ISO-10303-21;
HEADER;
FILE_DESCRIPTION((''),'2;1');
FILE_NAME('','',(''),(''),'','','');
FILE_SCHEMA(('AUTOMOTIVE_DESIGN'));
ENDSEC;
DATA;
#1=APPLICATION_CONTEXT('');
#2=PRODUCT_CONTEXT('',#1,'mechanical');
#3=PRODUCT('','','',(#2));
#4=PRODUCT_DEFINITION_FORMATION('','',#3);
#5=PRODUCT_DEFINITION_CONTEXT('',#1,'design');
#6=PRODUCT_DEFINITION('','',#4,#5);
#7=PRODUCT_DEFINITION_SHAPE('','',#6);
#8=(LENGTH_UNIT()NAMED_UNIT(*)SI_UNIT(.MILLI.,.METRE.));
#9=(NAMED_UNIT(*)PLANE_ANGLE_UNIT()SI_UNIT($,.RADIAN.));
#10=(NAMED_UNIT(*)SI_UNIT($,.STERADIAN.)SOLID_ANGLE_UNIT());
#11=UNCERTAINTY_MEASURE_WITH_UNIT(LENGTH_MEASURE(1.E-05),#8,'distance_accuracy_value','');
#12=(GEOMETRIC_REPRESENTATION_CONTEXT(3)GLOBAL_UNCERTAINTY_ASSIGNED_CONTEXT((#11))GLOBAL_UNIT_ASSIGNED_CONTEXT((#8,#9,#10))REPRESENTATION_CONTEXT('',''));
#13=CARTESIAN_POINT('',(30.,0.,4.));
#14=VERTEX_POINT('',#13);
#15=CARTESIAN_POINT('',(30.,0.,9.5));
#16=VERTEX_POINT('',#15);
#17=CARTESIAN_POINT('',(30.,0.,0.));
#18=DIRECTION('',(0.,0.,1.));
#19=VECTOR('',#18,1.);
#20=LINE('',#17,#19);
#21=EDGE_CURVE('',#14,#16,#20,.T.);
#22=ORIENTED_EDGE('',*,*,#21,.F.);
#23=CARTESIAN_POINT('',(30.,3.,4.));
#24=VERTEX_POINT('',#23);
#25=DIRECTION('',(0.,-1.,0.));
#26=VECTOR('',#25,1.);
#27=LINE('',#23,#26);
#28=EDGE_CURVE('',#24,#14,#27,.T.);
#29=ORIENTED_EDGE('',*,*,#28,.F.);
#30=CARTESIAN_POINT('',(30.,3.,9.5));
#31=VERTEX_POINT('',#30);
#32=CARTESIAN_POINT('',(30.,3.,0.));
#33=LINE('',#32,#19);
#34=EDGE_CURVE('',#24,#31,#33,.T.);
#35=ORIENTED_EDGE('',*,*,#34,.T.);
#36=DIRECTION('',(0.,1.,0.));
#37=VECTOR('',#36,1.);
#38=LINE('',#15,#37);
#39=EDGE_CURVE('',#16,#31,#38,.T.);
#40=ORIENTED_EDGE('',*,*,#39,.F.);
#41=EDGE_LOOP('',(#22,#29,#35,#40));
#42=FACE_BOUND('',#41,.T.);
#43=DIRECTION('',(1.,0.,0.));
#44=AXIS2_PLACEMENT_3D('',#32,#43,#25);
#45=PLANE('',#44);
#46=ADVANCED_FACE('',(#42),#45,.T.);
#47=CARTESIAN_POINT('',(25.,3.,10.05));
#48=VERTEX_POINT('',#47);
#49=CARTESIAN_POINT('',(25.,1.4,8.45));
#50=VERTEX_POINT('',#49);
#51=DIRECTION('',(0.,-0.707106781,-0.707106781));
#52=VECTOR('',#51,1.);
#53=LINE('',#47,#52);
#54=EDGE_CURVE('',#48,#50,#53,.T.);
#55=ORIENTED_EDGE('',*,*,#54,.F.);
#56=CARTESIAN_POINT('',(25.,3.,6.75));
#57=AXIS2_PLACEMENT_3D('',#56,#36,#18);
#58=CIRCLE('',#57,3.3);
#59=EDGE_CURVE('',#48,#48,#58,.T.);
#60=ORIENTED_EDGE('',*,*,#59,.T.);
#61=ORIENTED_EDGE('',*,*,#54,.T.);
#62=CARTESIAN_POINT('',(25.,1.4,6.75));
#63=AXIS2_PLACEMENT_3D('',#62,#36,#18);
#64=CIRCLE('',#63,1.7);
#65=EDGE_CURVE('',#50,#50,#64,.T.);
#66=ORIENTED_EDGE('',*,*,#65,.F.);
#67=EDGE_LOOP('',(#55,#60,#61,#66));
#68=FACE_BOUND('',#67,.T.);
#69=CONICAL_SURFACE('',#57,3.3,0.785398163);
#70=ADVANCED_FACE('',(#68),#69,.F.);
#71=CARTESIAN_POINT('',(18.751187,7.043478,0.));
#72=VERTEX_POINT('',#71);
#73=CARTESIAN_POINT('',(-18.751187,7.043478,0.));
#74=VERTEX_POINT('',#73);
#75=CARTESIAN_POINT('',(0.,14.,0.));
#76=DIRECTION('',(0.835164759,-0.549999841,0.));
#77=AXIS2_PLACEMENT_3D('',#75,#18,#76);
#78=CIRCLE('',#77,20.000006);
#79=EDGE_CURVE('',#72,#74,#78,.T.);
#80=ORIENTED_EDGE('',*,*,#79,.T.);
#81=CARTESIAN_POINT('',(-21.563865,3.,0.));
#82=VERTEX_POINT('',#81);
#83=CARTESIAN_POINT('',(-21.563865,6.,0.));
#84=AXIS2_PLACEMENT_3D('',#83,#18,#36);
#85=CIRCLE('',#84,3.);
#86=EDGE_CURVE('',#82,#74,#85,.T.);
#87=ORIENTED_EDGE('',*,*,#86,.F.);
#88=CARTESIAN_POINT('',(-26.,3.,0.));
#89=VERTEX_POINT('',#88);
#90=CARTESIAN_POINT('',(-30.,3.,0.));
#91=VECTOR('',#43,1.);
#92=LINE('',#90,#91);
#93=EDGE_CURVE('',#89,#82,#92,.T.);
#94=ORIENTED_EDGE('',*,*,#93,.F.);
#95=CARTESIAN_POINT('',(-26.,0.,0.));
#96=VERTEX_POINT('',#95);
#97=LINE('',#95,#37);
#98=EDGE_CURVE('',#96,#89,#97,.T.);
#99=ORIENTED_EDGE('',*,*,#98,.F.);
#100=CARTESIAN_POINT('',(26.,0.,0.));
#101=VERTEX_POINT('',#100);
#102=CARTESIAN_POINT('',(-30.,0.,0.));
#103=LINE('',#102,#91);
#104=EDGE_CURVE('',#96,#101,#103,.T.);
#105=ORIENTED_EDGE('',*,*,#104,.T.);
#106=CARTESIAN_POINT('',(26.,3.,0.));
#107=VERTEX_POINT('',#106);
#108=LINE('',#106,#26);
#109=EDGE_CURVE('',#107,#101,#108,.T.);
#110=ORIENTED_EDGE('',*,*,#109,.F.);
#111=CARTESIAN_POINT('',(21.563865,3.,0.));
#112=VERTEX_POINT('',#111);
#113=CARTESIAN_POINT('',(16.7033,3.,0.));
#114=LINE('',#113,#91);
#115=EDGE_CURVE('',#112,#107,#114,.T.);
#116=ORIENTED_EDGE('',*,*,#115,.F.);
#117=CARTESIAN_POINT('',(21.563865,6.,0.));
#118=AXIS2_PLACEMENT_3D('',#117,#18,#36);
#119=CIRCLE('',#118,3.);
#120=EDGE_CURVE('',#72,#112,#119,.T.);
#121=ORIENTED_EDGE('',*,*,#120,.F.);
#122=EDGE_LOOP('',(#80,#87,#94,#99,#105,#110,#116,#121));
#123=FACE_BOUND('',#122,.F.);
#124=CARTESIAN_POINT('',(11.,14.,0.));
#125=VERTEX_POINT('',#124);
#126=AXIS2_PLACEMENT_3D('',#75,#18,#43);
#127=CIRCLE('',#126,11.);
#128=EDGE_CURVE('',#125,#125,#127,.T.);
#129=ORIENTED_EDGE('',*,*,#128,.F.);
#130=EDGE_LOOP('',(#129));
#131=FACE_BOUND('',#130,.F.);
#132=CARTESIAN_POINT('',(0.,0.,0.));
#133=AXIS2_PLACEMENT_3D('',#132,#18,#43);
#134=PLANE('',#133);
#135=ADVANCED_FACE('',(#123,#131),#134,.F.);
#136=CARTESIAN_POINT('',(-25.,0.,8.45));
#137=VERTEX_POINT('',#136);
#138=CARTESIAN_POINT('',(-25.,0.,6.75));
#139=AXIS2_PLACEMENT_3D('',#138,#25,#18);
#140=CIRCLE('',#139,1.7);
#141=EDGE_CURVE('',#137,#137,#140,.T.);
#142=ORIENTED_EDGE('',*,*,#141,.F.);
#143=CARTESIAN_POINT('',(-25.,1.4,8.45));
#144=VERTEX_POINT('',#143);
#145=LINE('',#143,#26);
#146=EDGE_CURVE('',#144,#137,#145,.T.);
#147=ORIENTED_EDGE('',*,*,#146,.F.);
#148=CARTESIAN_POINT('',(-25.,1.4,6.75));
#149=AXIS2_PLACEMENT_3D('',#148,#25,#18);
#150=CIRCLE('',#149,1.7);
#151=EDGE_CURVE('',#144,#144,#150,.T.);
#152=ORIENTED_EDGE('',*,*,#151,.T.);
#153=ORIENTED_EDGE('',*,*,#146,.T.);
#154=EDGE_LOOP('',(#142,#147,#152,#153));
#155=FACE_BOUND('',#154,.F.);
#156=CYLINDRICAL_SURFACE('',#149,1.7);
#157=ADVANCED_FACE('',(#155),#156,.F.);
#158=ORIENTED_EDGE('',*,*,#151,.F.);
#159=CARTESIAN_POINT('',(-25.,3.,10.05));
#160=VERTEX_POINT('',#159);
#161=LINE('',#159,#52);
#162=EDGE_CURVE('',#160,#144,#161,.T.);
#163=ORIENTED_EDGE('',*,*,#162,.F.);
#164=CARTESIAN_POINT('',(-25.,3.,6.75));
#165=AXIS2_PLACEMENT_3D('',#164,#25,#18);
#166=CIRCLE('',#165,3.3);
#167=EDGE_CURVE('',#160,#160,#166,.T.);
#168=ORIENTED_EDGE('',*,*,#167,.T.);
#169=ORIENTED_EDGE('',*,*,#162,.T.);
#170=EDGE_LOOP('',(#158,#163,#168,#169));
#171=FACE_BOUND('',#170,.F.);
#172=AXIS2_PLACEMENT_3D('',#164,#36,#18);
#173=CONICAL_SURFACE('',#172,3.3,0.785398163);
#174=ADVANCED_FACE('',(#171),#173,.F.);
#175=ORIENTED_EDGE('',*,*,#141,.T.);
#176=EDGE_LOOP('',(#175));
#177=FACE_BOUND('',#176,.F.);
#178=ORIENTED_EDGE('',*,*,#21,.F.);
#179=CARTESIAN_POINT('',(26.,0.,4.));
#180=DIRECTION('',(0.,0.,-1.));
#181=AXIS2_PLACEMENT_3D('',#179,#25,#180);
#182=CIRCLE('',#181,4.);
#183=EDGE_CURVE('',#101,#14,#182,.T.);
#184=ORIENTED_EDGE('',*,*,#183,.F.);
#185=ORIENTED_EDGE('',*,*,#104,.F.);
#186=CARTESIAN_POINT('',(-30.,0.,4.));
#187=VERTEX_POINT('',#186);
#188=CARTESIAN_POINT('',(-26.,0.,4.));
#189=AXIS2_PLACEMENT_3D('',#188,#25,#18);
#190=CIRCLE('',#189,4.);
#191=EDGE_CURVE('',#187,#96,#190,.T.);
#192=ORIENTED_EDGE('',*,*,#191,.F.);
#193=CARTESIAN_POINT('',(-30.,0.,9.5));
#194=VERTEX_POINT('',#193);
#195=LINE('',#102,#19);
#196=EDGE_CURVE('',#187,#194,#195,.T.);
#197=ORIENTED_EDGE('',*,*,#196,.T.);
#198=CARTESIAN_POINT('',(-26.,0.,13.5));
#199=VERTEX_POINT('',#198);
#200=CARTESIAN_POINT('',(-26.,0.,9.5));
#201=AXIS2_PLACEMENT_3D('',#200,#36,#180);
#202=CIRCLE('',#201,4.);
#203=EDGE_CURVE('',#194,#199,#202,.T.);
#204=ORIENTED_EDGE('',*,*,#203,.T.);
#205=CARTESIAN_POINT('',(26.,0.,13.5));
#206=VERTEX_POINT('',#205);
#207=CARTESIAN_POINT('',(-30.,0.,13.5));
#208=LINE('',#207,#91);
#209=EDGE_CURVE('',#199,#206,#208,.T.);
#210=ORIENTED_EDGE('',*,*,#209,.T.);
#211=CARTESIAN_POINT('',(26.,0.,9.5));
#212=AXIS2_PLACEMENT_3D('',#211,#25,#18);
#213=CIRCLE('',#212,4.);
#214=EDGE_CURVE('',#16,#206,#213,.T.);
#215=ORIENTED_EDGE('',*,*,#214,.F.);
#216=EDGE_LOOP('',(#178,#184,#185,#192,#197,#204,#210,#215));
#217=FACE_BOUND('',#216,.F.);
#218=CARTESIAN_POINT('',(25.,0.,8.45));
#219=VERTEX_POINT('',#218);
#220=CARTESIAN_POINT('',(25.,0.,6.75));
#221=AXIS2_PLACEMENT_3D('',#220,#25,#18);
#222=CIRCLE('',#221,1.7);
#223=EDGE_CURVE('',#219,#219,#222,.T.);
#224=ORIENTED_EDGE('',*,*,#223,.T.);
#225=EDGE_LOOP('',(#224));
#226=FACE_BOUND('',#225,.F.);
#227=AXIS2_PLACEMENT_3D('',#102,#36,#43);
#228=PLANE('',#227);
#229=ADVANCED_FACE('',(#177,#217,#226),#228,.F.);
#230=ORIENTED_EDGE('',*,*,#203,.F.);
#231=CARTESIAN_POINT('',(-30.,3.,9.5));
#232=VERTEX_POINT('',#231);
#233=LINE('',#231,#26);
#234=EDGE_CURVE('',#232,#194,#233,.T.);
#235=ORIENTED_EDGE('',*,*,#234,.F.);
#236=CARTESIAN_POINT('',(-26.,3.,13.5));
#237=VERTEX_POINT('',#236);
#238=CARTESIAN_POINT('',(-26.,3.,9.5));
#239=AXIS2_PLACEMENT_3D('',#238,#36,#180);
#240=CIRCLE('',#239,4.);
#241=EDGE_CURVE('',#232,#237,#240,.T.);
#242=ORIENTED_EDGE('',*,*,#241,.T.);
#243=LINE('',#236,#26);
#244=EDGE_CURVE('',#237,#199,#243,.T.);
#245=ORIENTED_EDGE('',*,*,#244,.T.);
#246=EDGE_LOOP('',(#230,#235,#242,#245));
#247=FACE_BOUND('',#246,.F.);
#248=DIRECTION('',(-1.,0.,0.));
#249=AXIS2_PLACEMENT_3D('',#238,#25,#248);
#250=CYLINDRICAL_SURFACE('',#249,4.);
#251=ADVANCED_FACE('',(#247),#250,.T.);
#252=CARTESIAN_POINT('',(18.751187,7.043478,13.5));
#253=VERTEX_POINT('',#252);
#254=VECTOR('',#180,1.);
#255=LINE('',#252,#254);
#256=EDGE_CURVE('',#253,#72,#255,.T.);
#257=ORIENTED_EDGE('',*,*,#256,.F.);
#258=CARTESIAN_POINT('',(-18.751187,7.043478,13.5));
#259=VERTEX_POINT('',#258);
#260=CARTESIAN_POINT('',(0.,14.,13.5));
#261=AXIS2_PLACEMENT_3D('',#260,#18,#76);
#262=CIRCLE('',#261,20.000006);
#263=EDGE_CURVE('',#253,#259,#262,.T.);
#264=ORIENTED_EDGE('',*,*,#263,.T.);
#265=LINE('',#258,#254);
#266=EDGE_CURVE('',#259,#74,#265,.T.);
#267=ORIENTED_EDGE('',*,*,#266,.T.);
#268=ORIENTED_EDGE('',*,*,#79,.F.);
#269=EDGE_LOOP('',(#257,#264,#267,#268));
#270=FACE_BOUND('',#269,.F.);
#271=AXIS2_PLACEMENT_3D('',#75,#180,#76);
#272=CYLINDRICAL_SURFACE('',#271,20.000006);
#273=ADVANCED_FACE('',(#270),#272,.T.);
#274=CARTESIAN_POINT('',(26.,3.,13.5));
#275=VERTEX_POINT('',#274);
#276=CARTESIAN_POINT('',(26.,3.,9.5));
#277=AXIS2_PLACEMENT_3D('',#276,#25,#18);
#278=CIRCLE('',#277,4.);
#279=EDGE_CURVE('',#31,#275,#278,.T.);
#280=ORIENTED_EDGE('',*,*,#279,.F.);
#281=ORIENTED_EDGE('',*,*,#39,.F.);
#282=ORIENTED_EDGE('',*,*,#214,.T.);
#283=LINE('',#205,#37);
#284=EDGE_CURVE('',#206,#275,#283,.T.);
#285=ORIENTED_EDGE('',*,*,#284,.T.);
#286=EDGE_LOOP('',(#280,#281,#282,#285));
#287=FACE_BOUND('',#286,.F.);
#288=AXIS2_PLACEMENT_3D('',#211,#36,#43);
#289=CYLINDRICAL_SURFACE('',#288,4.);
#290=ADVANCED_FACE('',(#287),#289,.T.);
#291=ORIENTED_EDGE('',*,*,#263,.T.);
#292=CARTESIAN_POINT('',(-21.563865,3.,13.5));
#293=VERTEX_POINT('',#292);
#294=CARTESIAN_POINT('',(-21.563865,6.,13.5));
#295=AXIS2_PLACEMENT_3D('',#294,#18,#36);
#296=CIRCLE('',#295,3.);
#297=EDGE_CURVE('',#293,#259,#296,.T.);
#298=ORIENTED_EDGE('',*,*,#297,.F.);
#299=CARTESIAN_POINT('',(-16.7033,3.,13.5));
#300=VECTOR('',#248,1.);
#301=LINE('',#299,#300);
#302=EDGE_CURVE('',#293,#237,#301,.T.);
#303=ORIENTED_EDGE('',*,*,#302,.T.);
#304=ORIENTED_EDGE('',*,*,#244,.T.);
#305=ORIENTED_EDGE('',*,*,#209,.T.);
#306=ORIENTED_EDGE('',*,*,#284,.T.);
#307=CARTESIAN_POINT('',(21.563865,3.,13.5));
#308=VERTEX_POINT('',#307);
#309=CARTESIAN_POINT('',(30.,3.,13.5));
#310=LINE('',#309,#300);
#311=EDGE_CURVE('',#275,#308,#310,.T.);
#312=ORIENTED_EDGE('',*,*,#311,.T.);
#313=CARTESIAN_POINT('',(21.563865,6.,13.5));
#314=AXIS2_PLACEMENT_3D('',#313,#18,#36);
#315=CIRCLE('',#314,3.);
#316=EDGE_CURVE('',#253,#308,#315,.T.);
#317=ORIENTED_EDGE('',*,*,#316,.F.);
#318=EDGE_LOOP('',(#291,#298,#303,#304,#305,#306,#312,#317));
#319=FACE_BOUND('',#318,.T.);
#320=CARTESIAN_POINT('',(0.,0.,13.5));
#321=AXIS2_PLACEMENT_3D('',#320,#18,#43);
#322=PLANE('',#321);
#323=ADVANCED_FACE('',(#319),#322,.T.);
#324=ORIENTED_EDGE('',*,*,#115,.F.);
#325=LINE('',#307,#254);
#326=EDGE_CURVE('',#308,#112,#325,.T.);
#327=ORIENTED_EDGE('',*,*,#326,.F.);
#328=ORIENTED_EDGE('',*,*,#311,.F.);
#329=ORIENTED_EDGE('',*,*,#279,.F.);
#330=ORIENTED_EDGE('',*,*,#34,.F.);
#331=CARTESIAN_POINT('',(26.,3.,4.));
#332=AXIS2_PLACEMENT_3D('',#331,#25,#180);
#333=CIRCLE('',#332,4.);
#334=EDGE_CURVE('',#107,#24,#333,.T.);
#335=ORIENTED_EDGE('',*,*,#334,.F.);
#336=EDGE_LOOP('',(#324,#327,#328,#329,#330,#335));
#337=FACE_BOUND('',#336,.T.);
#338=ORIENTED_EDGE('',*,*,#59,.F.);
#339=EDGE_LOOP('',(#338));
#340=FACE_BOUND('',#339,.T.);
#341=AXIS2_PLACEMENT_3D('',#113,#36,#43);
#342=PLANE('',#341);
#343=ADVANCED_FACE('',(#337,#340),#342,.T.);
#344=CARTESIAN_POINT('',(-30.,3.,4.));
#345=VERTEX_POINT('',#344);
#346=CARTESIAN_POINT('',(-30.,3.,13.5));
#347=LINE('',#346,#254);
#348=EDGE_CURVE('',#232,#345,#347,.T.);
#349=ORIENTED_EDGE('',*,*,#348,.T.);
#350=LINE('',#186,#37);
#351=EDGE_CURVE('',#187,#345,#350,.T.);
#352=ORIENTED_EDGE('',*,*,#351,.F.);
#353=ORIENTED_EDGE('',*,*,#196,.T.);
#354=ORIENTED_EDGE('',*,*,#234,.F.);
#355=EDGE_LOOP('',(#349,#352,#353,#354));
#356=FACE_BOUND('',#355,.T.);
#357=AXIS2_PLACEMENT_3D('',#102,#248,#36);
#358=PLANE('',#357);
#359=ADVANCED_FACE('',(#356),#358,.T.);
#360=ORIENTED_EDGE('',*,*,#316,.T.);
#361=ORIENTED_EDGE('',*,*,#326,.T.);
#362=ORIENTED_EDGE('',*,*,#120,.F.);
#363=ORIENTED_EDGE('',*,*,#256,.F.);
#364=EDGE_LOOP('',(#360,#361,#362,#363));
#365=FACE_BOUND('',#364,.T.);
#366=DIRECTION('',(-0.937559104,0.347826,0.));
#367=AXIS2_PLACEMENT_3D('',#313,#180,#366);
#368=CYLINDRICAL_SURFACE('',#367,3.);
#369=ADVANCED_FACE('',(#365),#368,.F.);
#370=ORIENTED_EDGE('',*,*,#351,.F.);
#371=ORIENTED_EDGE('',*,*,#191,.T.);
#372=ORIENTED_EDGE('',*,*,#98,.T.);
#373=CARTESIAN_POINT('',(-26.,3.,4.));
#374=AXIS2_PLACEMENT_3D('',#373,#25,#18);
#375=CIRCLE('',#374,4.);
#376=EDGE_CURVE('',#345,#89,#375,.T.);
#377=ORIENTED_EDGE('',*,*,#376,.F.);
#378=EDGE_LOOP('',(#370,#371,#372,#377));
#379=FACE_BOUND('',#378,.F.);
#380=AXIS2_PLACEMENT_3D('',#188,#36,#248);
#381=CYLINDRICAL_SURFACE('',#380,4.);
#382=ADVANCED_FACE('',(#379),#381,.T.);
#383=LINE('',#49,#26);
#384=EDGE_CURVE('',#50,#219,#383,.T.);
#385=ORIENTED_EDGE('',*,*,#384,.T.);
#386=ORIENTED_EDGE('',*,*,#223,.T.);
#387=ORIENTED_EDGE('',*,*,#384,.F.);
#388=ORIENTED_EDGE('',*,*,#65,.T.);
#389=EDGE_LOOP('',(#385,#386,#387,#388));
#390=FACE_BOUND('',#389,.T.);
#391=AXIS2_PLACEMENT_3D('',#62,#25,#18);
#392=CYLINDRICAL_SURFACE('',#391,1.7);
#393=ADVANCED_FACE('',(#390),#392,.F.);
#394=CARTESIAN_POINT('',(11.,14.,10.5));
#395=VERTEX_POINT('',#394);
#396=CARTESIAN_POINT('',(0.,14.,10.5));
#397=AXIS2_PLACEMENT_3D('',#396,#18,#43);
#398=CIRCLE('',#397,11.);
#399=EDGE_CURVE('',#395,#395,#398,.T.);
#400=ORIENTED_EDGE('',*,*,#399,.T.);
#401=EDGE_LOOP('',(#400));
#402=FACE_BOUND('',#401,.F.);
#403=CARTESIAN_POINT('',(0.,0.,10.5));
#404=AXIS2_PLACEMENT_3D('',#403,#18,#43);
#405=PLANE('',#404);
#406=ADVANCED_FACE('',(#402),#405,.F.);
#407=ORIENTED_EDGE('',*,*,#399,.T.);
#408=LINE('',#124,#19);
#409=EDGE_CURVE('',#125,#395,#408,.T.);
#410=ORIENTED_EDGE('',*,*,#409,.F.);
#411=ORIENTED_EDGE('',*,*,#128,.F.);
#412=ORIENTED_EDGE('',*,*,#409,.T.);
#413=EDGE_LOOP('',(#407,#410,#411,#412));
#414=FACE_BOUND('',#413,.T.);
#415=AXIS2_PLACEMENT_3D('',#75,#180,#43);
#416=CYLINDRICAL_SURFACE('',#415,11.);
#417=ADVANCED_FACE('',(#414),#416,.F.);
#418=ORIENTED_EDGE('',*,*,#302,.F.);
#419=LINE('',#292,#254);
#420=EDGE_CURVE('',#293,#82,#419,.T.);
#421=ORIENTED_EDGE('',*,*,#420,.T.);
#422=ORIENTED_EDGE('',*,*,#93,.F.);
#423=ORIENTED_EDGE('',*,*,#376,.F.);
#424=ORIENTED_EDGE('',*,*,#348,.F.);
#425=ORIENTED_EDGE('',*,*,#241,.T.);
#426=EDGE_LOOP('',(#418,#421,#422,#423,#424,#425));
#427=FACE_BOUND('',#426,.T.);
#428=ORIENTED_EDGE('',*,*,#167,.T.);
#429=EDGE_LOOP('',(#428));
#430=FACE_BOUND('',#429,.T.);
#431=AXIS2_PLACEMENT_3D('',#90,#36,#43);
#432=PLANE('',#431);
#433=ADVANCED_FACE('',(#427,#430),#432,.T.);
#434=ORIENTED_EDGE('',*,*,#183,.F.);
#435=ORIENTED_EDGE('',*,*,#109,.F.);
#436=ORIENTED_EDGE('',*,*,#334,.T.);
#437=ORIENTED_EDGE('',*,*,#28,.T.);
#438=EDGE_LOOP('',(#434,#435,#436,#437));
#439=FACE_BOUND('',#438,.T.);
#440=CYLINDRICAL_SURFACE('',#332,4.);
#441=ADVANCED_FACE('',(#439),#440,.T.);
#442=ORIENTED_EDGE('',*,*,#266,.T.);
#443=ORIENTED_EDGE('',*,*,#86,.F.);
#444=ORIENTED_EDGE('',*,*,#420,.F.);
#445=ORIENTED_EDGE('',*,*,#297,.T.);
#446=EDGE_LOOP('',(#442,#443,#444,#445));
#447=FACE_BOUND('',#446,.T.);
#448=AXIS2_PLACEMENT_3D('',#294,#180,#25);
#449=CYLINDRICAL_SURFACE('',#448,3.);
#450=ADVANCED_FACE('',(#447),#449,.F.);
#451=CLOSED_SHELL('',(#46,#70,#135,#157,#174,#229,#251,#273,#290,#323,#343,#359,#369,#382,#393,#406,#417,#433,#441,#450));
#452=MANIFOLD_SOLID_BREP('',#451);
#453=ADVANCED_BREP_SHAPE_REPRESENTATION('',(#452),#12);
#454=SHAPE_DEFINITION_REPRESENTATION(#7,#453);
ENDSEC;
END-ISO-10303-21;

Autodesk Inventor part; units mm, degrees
ref_plane "YZ Plane" through (0, 0, 0) normal (1, 0, 0) x (0, 1, 0)
ref_plane "XZ Plane" through (0, 0, 0) normal (0, 1, 0) x (-1, 0, 0)
ref_plane "XY Plane" through (0, 0, 0) normal (0, 0, 1) x (1, 0, 0)
sketch "Эскиз1" plane through (0, 0, 0) normal (0, 0, 1) x (1, 0, 0)
  line L0 (-30, 0) -> (30, 0)
  line L1 (-30, 0) -> (-30, 3)
  line L2 (-30, 3) -> (-16.7033, 3)
  line L3 (16.7033, 3) -> (30, 3)
  line L4 (30, 3) -> (30, 0)
  line L5 (0, 0) -> (0, -12) construction
  circle A0 centre (0, 14) radius 11 construction
  circle A1 centre (0, 14) radius 11
  arc A2 (16.7033, 3) -> (-16.7033, 3) centre (0, 14) ccw
  point P0 (0, 3)
  point P1 (0, 46)
  point P2 (0, 25)
  dimension "d3" = 3
  dimension "d8" = 22
  dimension "d9" = 14
  dimension "d25" = 40
  dimension "d39" = 30
extrude "Выдавливание1" add sketch "Эскиз1" along normal blind 10.5
sketch "Эскиз2" plane through (0, 0, 10.5) normal (0, 0, 1) x (1, 0, 0)
  line L0 (-30, 0) -> (30, 0) projected
  line L1 (30, 0) -> (30, 3) projected
  line L2 (30, 3) -> (16.7033, 3) projected
  line L3 (-16.7033, 3) -> (-30, 3) projected
  line L4 (-30, 3) -> (-30, 0) projected
  circle A0 centre (0, 14) radius 11 projected
  arc A1 (16.7033, 3) -> (-16.7033, 3) centre (0, 14) ccw projected
  point P0 (0, 0)
extrude "Выдавливание2" add sketch "Эскиз2" along normal blind 3 contours L4 L3 A1 L2 L1 L0 | A0
fillet "Сопряжение1" radius 4 4 edges at (30, 1.5, 0) (30, 1.5, 13.5) (-30, 1.5, 0) (-30, 1.5, 13.5)
fillet "Сопряжение1" radius 3 2 edges at (16.7033, 3, 6.75) (-16.7033, 3, 6.75)
sketch "Эскиз4" plane through (21.5639, 3, 0) normal (0, 1, 0) x (1, 0, 0)
  line L0 (-43.1277, 0) -> (-43.1277, -13.5) projected
  line L1 (-43.1277, 0) -> (-47.5639, 0) projected
  arc A0 (-47.5639, 0) -> (-51.5639, -4) centre (-47.5639, -4) ccw projected
  line L2 (-51.5639, -4) -> (-51.5639, -9.5) projected
  arc A1 (-51.5639, -9.5) -> (-47.5639, -13.5) centre (-47.5639, -9.5) ccw projected
  line L3 (-43.1277, -13.5) -> (-47.5639, -13.5) projected
  point P0 (-21.5639, 0)
  point P1 (-46.5639, -6.75)
  dimension "d29" = 5
  dimension "d30" = 6.75
hole "Отверстие2" at (-25, 3, 6.75) direction (0, -1, 0) diameter 3.4 depth 3.7 countersink diameter 6.6 countersink angle 90 clearance for "с потайной головкой ГОСТ 12876-67" size "M3" standard "ГОСТ"
mirror "Зеркальное отражение2" about plane through (0, 0, 0) normal (1, 0, 0) of "Отверстие2"
properties part number "корпус подшипник"
